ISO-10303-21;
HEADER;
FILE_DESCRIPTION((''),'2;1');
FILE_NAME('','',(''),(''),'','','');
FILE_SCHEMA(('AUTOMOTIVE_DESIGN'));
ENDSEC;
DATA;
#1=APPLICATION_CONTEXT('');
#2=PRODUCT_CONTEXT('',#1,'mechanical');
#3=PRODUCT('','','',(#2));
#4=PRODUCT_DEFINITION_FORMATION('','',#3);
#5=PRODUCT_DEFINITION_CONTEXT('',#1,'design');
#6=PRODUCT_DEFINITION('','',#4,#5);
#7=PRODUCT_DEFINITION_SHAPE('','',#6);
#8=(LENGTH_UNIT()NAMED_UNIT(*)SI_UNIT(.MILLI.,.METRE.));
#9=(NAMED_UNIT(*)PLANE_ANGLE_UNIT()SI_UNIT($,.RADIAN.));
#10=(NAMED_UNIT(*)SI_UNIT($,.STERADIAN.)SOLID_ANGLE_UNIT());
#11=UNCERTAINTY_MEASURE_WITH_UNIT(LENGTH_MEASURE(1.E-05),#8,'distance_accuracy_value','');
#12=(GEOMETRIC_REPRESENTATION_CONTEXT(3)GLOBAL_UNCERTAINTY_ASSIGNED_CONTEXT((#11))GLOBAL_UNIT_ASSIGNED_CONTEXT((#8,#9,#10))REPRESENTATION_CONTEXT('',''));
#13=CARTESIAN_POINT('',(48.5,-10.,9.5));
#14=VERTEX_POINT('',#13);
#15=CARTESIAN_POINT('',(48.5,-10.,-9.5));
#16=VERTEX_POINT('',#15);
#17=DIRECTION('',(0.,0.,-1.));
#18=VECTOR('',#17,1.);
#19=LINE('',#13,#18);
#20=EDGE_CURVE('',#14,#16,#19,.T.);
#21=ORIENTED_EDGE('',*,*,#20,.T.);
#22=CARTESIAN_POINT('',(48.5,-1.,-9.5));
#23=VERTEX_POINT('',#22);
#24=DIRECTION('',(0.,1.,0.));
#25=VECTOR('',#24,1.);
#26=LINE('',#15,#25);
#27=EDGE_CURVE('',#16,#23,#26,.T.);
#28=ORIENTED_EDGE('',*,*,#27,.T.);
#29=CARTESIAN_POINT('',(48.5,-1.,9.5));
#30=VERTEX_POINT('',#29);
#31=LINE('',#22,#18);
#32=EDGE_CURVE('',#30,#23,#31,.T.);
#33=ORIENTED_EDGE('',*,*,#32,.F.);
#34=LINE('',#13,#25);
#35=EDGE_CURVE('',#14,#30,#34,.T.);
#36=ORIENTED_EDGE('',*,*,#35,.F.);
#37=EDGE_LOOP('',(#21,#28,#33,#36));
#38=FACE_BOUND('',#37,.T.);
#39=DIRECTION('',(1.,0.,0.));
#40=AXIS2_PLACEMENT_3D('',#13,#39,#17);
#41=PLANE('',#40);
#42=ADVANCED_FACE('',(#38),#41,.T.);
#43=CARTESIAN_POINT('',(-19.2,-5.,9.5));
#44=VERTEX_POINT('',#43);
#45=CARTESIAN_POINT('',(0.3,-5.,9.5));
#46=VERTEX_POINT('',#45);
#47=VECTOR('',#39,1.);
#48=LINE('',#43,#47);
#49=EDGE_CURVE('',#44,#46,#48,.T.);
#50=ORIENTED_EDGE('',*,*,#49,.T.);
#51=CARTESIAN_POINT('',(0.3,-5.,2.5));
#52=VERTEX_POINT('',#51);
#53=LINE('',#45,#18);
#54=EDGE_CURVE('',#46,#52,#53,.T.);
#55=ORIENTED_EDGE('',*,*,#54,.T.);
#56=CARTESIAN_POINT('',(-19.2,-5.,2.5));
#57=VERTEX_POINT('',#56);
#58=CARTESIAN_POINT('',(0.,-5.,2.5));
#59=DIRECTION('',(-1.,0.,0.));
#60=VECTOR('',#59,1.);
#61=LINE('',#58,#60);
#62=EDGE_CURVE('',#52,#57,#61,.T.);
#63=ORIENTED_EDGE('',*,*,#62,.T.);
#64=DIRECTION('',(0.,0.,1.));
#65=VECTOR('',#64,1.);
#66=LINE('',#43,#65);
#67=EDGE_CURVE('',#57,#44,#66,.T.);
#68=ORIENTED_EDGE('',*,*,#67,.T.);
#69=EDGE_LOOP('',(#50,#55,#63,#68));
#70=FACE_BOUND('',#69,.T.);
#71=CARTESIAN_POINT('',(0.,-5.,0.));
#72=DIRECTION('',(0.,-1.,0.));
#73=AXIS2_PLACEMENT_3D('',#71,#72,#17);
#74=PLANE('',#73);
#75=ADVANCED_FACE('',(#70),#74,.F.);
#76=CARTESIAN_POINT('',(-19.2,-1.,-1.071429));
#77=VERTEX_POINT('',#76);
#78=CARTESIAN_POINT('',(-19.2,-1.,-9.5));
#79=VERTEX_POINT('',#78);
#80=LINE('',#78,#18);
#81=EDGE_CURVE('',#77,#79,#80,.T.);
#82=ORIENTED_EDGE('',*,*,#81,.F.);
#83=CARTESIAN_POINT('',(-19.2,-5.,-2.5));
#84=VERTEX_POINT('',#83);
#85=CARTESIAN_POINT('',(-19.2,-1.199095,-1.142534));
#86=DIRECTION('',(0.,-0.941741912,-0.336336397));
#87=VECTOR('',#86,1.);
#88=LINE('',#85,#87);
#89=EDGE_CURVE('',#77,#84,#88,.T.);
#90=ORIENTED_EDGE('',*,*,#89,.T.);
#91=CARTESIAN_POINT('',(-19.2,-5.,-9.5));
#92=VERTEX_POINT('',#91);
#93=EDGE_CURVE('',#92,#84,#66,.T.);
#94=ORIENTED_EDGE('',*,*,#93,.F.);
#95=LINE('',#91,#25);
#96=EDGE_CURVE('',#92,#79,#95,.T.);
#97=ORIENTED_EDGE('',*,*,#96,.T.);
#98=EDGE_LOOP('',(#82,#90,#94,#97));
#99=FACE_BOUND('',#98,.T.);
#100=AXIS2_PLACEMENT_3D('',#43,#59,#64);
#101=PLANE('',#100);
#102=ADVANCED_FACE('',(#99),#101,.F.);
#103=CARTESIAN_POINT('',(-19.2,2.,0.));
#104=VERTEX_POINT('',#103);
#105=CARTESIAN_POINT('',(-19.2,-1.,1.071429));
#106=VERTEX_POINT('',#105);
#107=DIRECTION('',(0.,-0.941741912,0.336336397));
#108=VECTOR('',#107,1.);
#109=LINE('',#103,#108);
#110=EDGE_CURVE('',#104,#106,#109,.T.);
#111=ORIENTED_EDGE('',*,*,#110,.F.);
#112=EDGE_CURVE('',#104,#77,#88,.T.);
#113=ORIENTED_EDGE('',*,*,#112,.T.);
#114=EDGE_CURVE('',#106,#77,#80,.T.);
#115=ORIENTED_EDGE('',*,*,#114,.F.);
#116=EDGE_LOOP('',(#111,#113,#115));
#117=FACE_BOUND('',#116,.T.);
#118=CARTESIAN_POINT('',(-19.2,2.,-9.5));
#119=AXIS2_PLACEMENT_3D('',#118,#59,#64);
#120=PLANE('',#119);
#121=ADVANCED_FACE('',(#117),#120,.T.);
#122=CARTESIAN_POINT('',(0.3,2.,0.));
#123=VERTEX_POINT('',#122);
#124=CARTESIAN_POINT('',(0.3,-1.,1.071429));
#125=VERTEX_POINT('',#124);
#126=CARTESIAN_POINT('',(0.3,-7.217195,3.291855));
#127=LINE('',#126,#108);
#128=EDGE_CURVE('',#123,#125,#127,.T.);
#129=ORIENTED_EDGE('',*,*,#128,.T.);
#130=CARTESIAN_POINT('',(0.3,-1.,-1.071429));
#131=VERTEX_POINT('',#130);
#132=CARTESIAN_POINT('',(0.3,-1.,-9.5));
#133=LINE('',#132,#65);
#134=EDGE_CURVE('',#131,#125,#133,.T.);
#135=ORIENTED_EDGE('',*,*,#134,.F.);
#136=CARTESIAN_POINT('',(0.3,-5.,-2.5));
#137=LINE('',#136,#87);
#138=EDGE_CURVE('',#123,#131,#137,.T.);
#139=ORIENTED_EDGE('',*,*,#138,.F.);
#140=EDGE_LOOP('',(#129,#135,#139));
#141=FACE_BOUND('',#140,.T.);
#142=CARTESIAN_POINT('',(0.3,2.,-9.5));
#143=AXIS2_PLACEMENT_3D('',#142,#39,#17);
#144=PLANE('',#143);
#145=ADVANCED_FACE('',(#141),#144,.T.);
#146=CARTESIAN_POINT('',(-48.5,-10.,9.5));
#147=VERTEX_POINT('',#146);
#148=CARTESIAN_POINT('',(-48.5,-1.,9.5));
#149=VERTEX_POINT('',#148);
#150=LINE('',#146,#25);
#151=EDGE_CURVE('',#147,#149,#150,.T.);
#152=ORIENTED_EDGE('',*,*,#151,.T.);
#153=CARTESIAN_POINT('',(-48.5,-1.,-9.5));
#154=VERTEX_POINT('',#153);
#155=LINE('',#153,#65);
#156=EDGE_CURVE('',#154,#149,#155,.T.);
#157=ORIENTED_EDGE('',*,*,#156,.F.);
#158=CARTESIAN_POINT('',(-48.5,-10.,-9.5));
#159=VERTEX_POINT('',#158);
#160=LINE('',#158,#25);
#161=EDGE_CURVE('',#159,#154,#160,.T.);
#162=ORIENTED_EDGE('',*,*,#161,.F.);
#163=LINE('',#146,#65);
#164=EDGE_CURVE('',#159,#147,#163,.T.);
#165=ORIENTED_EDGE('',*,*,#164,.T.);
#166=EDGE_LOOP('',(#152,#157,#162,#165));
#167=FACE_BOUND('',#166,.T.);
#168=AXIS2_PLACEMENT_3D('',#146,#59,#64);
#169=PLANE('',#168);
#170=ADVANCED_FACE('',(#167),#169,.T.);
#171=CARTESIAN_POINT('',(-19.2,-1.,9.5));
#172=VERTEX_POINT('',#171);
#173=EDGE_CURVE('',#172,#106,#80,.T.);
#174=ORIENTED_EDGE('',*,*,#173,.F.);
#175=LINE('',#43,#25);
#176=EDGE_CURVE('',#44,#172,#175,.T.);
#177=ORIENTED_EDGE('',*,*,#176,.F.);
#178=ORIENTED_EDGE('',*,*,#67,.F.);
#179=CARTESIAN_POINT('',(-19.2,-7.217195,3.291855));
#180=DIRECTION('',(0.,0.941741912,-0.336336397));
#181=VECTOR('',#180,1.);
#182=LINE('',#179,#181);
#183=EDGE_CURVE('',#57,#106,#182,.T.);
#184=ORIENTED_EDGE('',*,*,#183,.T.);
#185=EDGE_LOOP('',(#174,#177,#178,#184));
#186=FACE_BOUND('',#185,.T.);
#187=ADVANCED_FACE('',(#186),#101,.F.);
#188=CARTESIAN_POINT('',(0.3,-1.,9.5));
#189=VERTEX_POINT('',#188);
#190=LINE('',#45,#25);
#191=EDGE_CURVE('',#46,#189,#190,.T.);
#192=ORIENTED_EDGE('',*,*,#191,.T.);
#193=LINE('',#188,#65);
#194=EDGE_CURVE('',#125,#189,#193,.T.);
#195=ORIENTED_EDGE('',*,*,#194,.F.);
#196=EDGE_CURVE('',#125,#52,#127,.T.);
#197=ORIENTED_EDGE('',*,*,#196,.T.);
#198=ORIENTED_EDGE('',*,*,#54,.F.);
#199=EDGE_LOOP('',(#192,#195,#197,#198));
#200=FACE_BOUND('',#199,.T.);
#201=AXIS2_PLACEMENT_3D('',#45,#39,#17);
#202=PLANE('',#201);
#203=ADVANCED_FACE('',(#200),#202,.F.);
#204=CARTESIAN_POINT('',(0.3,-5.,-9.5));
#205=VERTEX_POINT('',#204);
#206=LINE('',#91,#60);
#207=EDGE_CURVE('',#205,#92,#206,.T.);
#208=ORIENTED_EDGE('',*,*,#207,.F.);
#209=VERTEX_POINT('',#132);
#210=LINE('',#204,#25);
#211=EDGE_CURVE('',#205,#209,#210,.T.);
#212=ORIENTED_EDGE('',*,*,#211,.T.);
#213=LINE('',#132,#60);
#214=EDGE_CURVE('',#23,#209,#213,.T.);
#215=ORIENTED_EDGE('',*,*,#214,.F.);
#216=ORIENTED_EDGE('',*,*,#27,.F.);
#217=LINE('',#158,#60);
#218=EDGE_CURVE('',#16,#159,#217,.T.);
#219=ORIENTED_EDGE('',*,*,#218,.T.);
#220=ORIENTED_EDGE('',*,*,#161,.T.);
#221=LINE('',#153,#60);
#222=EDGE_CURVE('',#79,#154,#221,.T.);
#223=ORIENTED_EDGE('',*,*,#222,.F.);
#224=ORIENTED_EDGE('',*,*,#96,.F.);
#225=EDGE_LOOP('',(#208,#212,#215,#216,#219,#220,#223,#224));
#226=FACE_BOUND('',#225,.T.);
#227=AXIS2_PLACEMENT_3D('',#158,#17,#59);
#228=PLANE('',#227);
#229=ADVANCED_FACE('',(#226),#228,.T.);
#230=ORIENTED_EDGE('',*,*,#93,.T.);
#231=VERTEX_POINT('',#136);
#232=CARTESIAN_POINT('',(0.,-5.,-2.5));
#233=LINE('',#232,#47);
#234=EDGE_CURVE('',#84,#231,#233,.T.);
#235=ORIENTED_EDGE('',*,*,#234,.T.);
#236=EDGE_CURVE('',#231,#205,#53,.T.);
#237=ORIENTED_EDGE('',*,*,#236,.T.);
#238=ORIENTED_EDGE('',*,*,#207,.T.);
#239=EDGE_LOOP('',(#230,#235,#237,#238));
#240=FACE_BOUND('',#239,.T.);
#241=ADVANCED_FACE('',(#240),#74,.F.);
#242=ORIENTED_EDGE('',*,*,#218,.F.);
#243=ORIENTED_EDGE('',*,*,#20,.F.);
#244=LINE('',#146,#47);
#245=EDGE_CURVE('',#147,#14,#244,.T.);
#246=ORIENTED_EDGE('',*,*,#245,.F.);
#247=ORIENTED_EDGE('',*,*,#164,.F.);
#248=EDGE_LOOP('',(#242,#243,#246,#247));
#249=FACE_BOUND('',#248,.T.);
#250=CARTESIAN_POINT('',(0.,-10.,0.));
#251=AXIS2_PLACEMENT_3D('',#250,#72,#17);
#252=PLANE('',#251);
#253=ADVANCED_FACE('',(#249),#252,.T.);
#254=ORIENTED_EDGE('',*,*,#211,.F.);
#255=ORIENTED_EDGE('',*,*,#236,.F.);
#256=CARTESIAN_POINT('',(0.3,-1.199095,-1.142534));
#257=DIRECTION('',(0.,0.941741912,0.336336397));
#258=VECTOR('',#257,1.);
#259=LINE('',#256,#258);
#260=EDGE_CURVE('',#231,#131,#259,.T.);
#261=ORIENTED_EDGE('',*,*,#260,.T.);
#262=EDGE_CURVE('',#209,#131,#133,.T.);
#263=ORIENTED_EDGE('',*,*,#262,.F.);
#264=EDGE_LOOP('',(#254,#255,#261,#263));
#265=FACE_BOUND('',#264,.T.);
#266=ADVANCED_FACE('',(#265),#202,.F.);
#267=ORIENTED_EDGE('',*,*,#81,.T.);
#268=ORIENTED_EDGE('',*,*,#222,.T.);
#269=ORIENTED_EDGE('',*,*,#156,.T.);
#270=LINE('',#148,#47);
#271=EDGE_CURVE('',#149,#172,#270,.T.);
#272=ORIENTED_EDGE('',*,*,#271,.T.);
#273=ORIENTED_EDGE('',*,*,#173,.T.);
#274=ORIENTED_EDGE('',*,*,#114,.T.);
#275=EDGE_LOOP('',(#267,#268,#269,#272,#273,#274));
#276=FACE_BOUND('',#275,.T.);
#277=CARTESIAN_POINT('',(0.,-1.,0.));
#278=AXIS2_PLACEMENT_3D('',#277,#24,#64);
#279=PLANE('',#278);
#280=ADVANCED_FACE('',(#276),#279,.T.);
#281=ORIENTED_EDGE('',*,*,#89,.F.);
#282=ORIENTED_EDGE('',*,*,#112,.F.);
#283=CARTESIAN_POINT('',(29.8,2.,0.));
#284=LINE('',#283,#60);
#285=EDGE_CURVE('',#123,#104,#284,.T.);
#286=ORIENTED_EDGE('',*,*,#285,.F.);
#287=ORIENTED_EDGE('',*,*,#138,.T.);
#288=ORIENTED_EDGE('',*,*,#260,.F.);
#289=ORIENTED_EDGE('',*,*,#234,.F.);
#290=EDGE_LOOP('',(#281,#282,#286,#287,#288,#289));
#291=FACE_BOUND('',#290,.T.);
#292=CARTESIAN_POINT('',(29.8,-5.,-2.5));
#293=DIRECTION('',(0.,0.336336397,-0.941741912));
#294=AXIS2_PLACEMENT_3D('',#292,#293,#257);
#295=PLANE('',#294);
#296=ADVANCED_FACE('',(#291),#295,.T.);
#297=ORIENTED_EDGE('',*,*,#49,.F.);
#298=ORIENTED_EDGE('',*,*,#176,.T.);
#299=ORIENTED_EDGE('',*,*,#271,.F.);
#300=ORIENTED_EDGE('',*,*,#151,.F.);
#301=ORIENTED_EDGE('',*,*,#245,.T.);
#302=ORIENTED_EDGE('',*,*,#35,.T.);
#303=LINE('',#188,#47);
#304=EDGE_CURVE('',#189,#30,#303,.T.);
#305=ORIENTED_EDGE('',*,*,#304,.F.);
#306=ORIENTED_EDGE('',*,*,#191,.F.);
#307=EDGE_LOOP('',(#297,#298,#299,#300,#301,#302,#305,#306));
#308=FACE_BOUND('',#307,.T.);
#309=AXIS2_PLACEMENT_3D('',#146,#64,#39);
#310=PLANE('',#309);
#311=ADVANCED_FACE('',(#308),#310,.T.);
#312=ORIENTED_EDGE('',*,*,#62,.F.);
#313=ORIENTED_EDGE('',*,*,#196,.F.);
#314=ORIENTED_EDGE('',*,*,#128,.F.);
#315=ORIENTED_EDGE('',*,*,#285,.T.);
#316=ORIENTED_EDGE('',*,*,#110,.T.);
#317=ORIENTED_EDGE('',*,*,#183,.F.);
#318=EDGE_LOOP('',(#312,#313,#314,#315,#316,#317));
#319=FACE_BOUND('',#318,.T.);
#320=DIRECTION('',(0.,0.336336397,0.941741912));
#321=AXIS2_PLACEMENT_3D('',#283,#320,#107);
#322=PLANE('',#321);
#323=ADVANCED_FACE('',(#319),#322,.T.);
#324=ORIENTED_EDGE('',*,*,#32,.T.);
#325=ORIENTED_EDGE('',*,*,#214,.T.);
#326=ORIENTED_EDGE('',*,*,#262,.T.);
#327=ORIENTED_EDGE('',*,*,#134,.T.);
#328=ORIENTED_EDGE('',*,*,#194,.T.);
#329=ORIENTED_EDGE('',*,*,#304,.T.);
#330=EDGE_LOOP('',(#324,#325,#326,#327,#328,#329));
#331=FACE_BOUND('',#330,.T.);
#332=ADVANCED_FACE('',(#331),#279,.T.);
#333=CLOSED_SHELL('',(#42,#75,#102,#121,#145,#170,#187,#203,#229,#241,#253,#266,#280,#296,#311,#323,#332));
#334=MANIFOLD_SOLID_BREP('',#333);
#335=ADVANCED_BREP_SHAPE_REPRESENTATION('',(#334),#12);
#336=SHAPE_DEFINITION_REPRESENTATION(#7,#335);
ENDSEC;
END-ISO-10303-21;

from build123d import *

# Parameters (mm, degrees)
SKETCH1_W                = 97
SKETCH1_H                = 19
BOSS_EXTRUDE1_DEPTH      = 10
SKETCH4_W                = 19.5
SKETCH4_H                = 19
CUT_EXTRUDE1_DEPTH       = 5
BOSS_EXTRUDE2_DEPTH      = 45.5
BOSS_EXTRUDE2_DEPTH_BACK = 29.5
SKETCH6_W                = 26.3
SKETCH6_H                = 19
SKETCH6_W_2              = 45.2
CUT_EXTRUDE2_DEPTH       = 2
SKETCH7_W                = 29.3
SKETCH7_H                = 19
SKETCH7_W_2              = 48.2
CUT_EXTRUDE3_DEPTH       = 1


with BuildPart() as part:
    # Sketch1 → Boss-Extrude1 (new body)
    with BuildSketch(Plane(origin=(0, 0, 0), x_dir=(1, 0, 0), z_dir=(0, 1, 0))):
        Rectangle(SKETCH1_W, SKETCH1_H)
    extrude(amount=-BOSS_EXTRUDE1_DEPTH)

    # Sketch4 → Cut-Extrude1 (cut)
    with BuildSketch(Plane(origin=(0, 0, 0), x_dir=(1, 0, 0), z_dir=(0, 1, 0))):
        with Locations((-9.45, 0)):
            Rectangle(SKETCH4_W, SKETCH4_H)
    extrude(amount=-CUT_EXTRUDE1_DEPTH, mode=Mode.SUBTRACT)

    # Sketch5 → Boss-Extrude2 (add, two sides: drawn at the far end of the back side and taken through both)
    with BuildSketch(Plane.ZY.offset(-0.3).offset(-BOSS_EXTRUDE2_DEPTH_BACK)):
        Polygon((-2.5, -5), (0, 2), (2.5, -5), align=None)
    extrude(amount=BOSS_EXTRUDE2_DEPTH + BOSS_EXTRUDE2_DEPTH_BACK)

    # Sketch6 → Cut-Extrude2 (cut)
    with BuildSketch(Plane(origin=(0, 0, 0), x_dir=(1, 0, 0), z_dir=(0, 1, 0))):
        with Locations((-32.35, 0)):
            Rectangle(SKETCH6_W, SKETCH6_H)
        with Locations((22.9, 0)):
            Rectangle(SKETCH6_W_2, SKETCH6_H)
    extrude(amount=CUT_EXTRUDE2_DEPTH, mode=Mode.SUBTRACT)

    # Sketch7 → Cut-Extrude3 (cut)
    with BuildSketch(Plane(origin=(0, 0, 0), x_dir=(1, 0, 0), z_dir=(0, 1, 0))):
        with Locations((-33.85, 0)):
            Rectangle(SKETCH7_W, SKETCH7_H)
        with Locations((24.4, 0)):
            Rectangle(SKETCH7_W_2, SKETCH7_H)
    extrude(amount=-CUT_EXTRUDE3_DEPTH, mode=Mode.SUBTRACT)


solid = part.part
